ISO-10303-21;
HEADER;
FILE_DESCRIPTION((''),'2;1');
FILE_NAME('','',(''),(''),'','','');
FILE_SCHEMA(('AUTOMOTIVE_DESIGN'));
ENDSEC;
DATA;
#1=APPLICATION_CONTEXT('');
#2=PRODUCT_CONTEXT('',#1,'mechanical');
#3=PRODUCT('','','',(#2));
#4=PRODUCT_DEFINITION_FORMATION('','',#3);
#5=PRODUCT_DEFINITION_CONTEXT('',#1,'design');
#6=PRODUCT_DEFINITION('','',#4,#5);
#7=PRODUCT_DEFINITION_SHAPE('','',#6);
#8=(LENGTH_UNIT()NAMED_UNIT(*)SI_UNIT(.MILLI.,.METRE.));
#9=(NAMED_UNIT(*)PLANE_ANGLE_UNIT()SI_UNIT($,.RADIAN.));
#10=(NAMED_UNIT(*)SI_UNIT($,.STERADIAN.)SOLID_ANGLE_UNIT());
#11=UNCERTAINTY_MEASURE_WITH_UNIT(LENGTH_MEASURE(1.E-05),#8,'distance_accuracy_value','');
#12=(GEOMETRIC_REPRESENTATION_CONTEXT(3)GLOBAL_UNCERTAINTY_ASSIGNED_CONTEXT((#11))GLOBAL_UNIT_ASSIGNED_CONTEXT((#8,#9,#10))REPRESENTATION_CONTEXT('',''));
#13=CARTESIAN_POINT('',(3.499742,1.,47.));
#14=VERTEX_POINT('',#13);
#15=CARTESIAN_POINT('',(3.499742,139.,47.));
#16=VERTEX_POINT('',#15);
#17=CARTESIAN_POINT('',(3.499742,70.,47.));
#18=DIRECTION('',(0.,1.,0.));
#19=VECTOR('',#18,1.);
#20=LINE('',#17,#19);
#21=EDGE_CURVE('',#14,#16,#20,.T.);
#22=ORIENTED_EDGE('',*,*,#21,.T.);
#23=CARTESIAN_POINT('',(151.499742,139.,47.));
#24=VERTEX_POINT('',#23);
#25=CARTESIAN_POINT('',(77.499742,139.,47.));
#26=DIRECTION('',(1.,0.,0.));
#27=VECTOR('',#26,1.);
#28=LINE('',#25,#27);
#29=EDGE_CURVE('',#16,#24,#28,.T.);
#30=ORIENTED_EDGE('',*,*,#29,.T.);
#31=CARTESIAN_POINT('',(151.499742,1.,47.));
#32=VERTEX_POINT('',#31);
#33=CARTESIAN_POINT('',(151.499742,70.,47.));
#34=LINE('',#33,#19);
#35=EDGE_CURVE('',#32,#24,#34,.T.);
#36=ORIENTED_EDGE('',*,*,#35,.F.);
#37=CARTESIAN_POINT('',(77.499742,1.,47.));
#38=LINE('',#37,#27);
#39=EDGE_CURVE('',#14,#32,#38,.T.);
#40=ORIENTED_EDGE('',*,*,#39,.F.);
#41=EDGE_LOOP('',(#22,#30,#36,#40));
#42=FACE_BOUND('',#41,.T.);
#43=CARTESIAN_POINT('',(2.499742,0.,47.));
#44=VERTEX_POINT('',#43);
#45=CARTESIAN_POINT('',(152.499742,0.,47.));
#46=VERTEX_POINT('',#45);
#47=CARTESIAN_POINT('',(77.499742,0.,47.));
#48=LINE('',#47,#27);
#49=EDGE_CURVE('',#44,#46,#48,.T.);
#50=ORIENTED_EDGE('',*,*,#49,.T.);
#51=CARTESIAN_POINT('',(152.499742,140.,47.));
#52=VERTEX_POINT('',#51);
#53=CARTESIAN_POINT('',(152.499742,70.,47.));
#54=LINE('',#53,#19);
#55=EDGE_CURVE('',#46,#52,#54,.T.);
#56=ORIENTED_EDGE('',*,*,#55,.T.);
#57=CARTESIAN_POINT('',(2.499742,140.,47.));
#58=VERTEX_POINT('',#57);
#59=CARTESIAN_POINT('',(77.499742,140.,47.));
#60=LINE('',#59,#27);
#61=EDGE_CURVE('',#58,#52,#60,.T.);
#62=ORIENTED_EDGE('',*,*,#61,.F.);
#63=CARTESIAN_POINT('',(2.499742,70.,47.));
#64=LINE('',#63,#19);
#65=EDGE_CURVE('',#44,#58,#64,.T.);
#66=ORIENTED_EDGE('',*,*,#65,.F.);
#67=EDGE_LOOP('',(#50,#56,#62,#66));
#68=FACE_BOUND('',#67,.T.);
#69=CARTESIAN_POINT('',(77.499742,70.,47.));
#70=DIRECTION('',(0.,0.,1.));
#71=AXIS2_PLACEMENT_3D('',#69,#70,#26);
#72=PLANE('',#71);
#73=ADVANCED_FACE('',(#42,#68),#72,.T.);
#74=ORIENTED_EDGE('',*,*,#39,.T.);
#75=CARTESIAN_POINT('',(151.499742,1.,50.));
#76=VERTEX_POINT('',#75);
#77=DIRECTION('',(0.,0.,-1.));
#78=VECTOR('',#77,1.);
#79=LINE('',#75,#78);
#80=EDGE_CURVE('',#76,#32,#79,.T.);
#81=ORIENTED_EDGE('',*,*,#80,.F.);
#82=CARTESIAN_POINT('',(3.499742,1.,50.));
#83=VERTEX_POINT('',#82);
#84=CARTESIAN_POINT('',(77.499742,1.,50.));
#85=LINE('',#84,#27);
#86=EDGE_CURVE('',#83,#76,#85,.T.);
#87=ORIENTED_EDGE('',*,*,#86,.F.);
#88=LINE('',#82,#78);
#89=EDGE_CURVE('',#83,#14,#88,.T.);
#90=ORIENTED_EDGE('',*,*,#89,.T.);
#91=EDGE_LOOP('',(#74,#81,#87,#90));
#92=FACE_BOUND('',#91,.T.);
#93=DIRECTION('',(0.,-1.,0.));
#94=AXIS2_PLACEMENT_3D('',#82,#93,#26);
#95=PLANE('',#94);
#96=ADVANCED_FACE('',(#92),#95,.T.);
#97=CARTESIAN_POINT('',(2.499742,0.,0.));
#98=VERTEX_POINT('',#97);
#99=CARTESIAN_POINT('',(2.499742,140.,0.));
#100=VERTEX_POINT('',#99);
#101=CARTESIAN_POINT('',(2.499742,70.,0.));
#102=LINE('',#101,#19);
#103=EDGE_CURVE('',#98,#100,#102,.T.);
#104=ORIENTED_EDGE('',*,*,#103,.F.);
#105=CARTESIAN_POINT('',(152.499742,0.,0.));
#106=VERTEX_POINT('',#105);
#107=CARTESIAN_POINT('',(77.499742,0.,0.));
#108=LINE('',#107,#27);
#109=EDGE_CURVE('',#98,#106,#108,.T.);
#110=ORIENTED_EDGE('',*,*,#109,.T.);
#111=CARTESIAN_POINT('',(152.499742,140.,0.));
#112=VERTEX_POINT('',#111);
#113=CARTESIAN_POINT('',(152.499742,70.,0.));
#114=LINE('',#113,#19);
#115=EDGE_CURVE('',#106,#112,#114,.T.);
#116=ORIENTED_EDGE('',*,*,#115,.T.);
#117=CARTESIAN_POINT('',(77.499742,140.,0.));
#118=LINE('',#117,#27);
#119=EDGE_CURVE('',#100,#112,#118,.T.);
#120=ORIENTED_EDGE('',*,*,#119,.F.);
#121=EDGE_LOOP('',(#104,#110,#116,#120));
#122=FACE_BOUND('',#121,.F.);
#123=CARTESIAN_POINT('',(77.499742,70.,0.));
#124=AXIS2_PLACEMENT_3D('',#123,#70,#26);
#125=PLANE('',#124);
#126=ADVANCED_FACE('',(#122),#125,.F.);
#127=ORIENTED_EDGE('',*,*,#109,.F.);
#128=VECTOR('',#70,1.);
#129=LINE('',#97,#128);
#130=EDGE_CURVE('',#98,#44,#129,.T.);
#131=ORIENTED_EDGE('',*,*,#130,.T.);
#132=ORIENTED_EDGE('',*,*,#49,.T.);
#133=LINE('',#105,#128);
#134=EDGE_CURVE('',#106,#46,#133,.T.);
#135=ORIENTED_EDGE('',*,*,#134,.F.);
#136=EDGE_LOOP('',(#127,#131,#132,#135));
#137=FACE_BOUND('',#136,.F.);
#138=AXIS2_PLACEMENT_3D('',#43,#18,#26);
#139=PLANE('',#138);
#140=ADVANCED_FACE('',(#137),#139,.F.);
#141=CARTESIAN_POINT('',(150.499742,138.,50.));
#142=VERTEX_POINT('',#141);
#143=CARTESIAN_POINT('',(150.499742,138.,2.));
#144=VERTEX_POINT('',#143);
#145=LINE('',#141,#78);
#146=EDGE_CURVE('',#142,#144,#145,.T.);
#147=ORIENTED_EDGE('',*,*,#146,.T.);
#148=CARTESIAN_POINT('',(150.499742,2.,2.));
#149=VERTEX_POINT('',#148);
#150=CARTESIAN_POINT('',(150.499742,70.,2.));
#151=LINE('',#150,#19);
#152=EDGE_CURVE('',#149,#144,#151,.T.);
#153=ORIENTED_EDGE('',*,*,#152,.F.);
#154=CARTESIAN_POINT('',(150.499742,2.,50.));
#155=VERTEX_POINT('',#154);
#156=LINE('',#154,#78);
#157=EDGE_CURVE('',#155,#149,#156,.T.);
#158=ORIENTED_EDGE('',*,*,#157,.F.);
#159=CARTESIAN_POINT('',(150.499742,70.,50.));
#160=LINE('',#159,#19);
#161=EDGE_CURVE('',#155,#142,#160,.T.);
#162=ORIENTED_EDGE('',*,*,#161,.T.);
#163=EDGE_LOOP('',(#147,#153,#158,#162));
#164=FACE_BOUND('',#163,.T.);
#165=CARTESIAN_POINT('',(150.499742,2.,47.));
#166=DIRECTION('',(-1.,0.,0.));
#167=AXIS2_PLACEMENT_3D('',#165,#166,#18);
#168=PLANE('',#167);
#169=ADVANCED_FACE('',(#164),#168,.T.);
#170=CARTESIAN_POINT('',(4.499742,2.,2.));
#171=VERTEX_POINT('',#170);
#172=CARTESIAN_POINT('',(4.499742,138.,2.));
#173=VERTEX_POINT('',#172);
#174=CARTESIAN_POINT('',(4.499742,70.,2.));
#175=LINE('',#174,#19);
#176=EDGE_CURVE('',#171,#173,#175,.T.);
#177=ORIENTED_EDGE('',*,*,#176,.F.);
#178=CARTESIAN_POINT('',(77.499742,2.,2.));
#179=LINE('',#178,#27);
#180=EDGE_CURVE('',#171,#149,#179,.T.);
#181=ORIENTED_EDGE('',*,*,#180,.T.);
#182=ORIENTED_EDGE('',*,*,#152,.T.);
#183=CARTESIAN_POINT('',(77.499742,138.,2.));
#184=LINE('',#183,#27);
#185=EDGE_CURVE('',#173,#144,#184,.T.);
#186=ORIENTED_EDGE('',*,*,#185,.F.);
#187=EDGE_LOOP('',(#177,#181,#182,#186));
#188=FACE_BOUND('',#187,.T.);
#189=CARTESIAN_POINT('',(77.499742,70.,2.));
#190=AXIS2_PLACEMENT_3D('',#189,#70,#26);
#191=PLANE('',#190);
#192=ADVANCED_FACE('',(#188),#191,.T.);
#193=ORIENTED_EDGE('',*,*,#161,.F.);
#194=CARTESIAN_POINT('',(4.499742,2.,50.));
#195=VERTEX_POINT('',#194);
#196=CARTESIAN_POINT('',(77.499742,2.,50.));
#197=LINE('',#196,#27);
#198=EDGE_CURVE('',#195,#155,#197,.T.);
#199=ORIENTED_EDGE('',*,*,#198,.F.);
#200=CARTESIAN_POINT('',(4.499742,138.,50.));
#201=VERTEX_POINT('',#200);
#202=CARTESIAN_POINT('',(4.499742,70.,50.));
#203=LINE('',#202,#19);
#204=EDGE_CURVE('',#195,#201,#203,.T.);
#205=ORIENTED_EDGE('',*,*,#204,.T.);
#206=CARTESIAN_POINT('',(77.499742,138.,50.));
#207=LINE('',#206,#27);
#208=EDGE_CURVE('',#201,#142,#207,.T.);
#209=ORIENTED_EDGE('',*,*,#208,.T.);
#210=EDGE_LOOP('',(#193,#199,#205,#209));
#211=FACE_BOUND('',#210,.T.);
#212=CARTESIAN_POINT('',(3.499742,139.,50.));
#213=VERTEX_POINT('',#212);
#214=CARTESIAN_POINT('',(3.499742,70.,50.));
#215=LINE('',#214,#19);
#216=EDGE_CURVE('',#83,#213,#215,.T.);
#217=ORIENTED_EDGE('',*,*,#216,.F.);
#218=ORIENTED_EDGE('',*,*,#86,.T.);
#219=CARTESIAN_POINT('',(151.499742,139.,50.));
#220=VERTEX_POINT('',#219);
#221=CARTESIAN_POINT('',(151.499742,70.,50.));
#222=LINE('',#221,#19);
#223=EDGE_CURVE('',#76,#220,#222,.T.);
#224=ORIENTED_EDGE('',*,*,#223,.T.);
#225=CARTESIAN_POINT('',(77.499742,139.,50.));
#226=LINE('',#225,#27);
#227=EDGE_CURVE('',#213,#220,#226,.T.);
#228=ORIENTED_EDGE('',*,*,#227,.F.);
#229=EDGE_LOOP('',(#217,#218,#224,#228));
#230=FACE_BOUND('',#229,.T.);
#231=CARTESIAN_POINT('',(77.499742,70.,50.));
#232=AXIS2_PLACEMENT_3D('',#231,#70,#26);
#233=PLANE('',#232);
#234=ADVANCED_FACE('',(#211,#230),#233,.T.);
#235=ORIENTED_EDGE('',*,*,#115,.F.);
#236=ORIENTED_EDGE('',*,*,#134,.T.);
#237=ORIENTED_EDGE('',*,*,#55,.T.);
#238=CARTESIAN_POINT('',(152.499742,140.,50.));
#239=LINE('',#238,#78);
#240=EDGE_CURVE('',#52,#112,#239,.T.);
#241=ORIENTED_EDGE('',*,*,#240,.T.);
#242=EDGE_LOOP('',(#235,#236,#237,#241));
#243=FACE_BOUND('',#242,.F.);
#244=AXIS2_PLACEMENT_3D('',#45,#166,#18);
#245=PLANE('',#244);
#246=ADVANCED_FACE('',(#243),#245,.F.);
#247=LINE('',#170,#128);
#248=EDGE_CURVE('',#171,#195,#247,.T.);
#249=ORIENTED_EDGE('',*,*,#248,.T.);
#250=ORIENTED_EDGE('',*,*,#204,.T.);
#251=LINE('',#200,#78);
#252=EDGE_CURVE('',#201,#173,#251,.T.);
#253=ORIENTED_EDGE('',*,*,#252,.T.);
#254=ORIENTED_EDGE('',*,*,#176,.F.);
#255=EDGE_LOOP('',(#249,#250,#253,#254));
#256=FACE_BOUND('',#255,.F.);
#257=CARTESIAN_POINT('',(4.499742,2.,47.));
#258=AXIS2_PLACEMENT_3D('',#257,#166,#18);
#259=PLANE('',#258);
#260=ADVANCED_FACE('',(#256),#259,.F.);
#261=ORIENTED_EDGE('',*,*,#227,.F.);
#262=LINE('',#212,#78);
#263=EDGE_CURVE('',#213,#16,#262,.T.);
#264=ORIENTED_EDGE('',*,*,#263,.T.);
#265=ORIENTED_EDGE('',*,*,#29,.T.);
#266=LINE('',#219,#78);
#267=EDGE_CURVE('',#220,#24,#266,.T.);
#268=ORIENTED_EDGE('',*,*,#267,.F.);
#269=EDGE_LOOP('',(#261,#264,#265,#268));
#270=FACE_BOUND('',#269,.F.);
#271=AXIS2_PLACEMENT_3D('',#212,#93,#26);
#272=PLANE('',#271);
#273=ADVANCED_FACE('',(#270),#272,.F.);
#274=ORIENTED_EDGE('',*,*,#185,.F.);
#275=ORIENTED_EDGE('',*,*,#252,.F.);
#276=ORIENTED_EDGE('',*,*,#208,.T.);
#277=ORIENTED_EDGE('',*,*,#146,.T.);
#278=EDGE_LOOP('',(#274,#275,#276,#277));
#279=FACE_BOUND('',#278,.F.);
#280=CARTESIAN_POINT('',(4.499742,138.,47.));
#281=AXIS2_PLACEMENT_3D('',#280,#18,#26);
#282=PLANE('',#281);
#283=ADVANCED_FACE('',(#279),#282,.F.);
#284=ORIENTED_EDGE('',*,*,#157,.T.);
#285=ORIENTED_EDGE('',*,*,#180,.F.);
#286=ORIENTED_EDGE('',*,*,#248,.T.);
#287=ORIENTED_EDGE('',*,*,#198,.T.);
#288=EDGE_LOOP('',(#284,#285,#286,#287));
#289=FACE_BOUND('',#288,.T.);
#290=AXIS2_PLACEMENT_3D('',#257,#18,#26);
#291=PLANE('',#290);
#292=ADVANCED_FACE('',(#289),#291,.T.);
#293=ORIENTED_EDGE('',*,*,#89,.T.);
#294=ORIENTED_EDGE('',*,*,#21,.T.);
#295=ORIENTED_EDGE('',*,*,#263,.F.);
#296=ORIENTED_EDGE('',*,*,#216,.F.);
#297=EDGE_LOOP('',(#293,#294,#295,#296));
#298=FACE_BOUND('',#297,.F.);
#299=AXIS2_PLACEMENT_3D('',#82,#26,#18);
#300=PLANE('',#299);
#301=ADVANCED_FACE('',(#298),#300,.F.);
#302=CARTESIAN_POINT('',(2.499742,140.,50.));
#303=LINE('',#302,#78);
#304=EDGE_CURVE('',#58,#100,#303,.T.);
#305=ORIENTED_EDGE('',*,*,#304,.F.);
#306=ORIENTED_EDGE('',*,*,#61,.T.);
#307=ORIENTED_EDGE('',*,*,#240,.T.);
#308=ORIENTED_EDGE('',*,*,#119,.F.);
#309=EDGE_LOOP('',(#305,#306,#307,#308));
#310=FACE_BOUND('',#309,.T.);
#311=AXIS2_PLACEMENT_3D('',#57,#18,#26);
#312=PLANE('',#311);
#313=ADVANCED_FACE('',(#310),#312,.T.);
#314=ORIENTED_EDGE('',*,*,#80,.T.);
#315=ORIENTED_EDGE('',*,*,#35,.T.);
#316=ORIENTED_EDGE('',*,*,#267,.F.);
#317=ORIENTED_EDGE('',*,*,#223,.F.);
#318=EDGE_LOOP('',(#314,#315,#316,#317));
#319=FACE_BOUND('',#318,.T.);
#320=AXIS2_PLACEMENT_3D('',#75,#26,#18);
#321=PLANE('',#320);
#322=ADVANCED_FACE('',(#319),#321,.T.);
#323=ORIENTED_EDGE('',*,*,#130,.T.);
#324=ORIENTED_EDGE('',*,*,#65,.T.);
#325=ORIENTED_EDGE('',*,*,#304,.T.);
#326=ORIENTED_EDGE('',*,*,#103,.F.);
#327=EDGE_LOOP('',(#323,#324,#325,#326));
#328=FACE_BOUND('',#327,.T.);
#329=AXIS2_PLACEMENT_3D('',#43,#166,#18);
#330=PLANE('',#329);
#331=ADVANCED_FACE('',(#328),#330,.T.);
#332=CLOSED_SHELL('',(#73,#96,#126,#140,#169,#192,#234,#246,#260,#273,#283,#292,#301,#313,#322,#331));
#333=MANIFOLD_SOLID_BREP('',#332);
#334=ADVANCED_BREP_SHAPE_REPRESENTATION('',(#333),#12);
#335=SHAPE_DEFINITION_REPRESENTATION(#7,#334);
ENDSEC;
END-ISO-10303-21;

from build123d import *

# Parameters (mm, degrees)
F0_W     = 150
F0_H     = 140
F1_DEPTH = 47
F2_W     = 146
F2_H     = 136
F3_DEPTH = 45
F4_W     = 150
F4_H     = 140
F4_W_2   = 146
F4_H_2   = 136
F5_DEPTH = 3
F6_W     = 150
F6_H     = 140
F6_W_2   = 148
F6_H_2   = 138
F7_DEPTH = 3


with BuildPart() as f1:
    # F0 (on Top) → F1 (new body)
    with BuildSketch(Plane.XY):
        with Locations((77.499742, 70)):
            Rectangle(F0_W, F0_H)
    extrude(amount=F1_DEPTH)

    # F2 (on face) → F3 (cut)
    with BuildSketch(Plane.XY.offset(47)):
        with Locations((77.499742, 70)):
            Rectangle(F2_W, F2_H)
    extrude(amount=-F3_DEPTH, mode=Mode.SUBTRACT)

    # F4 (on face) → F5 (join)
    with BuildSketch(Plane.XY.offset(47)):
        with Locations((77.499742, 70)):
            Rectangle(F4_W, F4_H)
        with Locations((77.499742, 70)):
            Rectangle(F4_W_2, F4_H_2, mode=Mode.SUBTRACT)
    extrude(amount=F5_DEPTH)

    # F6 (on face) → F7 (cut)
    with BuildSketch(Plane.XY.offset(50)):
        with Locations((77.499742, 70)):
            Rectangle(F6_W, F6_H)
        with Locations((77.499742, 70)):
            Rectangle(F6_W_2, F6_H_2, mode=Mode.SUBTRACT)
    extrude(amount=-F7_DEPTH, mode=Mode.SUBTRACT)


solid = f1.part
